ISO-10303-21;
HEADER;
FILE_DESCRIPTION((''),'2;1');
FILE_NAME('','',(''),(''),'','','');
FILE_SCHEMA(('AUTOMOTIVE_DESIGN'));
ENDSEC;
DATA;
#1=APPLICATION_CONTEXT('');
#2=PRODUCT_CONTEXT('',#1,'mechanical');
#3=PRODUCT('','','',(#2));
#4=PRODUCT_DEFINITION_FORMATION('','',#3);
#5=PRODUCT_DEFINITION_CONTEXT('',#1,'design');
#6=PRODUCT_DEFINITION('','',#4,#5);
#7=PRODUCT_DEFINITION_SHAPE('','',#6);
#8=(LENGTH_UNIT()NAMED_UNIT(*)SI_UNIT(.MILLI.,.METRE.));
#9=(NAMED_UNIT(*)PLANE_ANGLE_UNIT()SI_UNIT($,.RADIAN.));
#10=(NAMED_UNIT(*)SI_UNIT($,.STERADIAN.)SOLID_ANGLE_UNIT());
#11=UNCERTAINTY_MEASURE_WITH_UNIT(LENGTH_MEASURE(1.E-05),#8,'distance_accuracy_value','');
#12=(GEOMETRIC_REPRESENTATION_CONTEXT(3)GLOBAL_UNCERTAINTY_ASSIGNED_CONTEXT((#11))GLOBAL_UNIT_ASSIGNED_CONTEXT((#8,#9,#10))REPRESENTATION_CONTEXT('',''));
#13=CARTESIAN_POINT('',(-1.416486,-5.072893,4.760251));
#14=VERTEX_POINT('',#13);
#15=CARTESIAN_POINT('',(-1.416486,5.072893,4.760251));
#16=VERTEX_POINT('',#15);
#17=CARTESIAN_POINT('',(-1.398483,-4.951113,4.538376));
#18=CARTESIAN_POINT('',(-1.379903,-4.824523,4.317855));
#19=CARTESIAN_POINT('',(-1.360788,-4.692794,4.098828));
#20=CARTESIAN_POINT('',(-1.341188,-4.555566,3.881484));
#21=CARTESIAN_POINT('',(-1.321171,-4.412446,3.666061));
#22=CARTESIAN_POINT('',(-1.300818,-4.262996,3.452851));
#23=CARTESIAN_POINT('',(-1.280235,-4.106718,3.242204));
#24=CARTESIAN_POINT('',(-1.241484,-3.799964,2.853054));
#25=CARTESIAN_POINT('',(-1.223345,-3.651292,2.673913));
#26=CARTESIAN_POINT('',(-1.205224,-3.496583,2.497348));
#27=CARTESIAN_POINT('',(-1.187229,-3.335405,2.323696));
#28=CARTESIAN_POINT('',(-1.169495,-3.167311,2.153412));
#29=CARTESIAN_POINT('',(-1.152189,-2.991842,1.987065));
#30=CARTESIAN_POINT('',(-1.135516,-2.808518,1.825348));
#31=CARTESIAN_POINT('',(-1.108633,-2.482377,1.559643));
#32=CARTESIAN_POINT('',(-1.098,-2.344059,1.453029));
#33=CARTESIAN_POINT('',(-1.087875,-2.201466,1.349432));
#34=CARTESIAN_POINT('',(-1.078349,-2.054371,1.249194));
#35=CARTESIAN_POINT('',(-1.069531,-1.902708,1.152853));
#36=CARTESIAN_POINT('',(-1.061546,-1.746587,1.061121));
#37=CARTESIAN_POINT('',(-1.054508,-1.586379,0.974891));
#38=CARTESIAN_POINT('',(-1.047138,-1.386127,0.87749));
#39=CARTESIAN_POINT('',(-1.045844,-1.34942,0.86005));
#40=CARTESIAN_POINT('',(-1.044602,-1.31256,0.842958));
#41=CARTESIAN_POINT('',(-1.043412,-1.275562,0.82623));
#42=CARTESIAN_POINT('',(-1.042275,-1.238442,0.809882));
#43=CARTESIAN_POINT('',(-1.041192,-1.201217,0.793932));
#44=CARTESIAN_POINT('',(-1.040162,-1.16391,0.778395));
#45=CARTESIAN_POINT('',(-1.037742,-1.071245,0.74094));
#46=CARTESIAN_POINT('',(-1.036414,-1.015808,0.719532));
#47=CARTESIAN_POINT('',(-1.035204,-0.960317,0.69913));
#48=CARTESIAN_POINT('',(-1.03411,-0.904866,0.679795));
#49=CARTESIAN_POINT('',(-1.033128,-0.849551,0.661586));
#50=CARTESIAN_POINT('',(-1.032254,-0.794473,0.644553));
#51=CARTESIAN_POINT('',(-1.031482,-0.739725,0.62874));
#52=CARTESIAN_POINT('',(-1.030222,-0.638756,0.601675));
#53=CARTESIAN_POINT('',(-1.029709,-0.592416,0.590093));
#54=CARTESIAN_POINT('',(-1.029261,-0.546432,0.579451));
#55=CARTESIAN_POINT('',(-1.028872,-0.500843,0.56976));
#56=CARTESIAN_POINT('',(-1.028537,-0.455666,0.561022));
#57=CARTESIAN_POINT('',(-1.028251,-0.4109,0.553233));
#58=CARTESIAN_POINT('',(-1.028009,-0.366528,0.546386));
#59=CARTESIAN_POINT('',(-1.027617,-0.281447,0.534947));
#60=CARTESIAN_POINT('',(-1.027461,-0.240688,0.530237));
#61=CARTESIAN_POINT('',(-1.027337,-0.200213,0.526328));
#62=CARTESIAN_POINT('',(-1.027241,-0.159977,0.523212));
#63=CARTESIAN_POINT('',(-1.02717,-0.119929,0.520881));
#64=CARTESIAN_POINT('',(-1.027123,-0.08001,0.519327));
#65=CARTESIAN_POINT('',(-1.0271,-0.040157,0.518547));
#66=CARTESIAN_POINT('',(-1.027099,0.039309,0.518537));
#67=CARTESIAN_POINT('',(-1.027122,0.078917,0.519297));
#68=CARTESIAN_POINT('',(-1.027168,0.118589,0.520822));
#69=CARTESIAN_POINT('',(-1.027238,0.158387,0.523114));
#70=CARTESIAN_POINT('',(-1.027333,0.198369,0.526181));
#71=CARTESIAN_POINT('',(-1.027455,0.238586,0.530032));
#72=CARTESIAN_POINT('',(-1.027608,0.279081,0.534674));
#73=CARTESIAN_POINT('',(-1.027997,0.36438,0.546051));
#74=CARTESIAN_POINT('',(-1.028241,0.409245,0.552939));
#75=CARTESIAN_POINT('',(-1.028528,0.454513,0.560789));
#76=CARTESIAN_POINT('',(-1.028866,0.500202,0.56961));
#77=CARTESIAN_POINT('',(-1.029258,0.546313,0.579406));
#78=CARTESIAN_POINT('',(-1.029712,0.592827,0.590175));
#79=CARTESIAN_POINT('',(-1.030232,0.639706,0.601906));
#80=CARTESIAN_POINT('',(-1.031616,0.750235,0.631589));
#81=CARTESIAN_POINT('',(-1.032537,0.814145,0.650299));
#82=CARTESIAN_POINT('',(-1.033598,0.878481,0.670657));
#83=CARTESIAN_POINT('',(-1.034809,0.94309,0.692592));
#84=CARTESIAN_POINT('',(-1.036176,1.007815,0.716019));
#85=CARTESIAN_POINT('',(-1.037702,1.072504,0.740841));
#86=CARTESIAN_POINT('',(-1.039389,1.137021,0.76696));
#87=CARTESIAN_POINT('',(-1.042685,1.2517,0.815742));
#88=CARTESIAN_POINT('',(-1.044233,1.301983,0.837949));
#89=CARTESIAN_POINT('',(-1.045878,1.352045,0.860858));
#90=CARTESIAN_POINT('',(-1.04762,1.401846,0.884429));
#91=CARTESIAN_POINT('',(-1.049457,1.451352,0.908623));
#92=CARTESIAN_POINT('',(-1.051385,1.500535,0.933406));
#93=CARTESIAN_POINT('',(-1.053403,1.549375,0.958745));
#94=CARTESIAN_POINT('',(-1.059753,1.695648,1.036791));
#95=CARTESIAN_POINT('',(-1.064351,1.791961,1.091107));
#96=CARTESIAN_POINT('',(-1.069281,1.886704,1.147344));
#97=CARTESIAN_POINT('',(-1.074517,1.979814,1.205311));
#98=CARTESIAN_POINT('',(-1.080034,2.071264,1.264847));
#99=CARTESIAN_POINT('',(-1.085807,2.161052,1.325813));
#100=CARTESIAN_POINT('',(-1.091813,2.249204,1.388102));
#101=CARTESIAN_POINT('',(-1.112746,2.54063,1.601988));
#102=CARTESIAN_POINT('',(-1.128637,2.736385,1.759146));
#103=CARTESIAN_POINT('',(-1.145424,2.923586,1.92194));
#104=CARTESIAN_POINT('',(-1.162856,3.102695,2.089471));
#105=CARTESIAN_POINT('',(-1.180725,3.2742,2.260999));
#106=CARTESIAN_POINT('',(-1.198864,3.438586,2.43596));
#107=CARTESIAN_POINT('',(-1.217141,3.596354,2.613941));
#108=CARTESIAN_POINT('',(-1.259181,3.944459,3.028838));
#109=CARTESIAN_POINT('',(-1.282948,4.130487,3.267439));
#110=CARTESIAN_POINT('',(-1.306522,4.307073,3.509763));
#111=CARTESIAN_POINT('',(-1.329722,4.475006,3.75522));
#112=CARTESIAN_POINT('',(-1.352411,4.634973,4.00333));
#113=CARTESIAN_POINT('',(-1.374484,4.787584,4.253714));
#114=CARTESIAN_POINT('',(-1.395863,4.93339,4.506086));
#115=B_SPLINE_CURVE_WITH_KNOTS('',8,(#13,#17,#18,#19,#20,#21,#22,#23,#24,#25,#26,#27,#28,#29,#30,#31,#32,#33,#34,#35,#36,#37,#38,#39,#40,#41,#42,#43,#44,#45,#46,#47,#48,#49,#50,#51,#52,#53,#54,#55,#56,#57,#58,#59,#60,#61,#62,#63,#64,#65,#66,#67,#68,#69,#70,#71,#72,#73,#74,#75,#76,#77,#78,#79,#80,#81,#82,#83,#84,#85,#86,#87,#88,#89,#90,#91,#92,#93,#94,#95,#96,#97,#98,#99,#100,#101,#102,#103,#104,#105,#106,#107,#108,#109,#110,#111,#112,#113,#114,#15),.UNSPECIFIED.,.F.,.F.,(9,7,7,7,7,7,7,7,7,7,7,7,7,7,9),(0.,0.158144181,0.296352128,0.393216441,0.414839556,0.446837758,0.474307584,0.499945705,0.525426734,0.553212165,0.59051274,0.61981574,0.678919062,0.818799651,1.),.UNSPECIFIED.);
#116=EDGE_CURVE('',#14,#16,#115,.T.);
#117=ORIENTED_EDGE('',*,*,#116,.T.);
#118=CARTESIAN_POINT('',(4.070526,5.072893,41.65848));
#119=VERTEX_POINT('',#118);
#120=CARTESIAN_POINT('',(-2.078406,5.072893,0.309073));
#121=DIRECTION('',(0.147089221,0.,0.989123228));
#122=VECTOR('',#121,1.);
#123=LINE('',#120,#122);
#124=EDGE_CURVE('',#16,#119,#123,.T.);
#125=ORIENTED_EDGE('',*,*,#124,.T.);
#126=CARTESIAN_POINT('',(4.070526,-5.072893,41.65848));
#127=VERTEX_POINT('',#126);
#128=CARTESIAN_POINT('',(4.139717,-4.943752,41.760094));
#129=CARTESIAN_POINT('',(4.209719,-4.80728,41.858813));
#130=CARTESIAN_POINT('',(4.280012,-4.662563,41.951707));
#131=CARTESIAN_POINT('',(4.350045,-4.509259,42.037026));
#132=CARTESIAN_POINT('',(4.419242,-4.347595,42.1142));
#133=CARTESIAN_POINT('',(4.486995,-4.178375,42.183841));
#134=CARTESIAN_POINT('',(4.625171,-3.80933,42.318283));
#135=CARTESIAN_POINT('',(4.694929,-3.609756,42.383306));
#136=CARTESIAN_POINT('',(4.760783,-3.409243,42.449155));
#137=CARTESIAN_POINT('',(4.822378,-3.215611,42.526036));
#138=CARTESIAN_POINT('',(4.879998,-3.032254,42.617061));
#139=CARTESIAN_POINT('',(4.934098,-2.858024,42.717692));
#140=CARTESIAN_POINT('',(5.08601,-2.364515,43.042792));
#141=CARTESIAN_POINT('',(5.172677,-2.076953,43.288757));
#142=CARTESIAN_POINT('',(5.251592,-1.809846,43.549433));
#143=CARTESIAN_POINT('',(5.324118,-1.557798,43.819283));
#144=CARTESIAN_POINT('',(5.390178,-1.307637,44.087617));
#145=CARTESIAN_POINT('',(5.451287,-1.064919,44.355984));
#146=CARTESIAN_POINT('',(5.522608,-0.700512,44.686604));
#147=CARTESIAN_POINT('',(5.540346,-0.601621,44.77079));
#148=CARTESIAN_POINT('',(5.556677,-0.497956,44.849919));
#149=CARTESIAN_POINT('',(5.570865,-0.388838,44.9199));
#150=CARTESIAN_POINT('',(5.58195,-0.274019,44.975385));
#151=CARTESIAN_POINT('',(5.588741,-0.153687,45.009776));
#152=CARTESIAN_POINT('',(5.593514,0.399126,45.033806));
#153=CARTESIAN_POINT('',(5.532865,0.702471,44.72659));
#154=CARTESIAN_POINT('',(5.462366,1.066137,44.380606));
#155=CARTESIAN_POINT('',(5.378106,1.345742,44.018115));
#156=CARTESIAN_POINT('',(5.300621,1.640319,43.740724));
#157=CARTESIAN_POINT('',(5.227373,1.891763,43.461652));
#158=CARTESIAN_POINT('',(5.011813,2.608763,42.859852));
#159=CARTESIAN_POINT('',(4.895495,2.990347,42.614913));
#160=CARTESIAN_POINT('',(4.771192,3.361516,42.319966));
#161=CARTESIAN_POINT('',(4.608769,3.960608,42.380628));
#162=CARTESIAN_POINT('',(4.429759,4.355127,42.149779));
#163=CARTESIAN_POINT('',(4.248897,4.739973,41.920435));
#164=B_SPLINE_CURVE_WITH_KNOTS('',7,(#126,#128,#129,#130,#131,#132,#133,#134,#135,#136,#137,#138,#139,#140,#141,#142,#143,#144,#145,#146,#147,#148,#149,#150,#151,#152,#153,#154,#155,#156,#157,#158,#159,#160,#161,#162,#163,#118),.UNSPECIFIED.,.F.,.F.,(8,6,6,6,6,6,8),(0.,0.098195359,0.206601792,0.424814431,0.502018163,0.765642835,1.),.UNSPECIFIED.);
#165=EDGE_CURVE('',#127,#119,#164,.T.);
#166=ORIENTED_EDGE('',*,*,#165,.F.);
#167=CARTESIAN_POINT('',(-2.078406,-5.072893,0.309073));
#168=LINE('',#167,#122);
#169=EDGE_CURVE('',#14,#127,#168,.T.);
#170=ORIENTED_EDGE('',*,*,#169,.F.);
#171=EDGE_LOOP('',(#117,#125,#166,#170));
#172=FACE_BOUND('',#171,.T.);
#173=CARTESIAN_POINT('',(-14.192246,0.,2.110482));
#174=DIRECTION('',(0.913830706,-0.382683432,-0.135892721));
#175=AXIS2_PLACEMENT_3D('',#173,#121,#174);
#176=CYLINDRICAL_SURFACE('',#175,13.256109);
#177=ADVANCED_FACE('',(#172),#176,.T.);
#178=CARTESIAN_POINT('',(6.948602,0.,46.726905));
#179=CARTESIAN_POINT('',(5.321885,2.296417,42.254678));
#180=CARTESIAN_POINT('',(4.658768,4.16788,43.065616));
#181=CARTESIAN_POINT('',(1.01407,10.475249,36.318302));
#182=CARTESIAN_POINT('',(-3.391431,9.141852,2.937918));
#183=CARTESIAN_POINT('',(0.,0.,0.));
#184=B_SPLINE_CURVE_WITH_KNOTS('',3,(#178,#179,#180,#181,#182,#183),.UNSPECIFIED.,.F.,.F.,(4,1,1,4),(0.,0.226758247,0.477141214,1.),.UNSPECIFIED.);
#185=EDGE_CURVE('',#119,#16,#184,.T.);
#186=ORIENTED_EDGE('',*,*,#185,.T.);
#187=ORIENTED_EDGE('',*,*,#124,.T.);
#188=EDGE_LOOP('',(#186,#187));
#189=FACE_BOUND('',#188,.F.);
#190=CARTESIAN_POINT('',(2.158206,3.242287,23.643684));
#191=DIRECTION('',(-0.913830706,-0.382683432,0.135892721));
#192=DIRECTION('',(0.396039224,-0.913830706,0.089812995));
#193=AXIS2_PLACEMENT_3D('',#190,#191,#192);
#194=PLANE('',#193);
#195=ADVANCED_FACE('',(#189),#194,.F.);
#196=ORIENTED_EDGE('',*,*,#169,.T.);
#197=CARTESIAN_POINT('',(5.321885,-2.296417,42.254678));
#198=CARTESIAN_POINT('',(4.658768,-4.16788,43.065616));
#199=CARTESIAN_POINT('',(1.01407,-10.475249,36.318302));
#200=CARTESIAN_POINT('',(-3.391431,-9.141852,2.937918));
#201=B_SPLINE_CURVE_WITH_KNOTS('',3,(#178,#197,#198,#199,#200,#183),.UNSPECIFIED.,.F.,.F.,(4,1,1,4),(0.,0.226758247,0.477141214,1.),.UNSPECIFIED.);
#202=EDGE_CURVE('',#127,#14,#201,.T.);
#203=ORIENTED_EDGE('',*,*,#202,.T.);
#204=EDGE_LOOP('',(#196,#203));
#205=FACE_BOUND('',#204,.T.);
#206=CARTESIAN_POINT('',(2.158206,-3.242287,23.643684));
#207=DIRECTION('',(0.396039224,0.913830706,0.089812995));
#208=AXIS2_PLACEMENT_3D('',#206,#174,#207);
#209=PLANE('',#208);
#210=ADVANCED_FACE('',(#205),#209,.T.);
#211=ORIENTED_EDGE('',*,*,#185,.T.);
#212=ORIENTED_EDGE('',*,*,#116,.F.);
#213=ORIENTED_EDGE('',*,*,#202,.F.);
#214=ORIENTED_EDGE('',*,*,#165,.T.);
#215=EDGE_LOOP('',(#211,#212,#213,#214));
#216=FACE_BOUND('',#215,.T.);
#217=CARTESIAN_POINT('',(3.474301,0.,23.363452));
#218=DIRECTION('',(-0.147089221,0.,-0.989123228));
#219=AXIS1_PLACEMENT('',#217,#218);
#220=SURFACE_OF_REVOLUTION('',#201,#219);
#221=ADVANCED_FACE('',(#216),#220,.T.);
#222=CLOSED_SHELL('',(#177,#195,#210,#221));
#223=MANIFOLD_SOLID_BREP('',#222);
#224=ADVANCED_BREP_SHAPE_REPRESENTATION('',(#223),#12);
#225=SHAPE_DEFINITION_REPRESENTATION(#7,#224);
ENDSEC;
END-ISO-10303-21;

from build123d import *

# Parameters (mm, degrees)
F1_ANGLE_BACK = 67.5
F1_ANGLE      = 135
F2_R          = 13.2561091478


with BuildPart() as f1:
    # F0 (on Front) → F1 (revolve)
    with BuildSketch(Plane.XZ, mode=Mode.PRIVATE) as f1_sk:
        with BuildLine():
            Line((0, 0), (6.9486023858, 46.7269048095))
            add(Edge.make_bspline(
                [(6.9486023858, 46.7269048095), (3.8041579558, 42.4803746122), (1.9041701542, 43.4752432839), (-5.909137075, 37.3478286691), (-9.4333813562, 3.8363964856), (0, 0)],
                knots=[0, 0, 0, 0, 0.2267582466, 0.4771412139, 1, 1, 1, 1], degree=3))
        make_face()
    revolve(f1_sk.sketch.rotate(Axis((3.4743011929, 0, 23.3634524047), (-0.1470892209, 0, -0.9891232285)), -F1_ANGLE_BACK), axis=Axis((3.4743011929, 0, 23.3634524047), (-0.1470892209, 0, -0.9891232285)), revolution_arc=F1_ANGLE)

    # F2
    f2_edges = [f1.edges().sort_by_distance(p)[0] for p in [
        (3.474301, 0, 23.363452),
    ]]
    fillet(f2_edges, radius=F2_R)


solid = f1.part
